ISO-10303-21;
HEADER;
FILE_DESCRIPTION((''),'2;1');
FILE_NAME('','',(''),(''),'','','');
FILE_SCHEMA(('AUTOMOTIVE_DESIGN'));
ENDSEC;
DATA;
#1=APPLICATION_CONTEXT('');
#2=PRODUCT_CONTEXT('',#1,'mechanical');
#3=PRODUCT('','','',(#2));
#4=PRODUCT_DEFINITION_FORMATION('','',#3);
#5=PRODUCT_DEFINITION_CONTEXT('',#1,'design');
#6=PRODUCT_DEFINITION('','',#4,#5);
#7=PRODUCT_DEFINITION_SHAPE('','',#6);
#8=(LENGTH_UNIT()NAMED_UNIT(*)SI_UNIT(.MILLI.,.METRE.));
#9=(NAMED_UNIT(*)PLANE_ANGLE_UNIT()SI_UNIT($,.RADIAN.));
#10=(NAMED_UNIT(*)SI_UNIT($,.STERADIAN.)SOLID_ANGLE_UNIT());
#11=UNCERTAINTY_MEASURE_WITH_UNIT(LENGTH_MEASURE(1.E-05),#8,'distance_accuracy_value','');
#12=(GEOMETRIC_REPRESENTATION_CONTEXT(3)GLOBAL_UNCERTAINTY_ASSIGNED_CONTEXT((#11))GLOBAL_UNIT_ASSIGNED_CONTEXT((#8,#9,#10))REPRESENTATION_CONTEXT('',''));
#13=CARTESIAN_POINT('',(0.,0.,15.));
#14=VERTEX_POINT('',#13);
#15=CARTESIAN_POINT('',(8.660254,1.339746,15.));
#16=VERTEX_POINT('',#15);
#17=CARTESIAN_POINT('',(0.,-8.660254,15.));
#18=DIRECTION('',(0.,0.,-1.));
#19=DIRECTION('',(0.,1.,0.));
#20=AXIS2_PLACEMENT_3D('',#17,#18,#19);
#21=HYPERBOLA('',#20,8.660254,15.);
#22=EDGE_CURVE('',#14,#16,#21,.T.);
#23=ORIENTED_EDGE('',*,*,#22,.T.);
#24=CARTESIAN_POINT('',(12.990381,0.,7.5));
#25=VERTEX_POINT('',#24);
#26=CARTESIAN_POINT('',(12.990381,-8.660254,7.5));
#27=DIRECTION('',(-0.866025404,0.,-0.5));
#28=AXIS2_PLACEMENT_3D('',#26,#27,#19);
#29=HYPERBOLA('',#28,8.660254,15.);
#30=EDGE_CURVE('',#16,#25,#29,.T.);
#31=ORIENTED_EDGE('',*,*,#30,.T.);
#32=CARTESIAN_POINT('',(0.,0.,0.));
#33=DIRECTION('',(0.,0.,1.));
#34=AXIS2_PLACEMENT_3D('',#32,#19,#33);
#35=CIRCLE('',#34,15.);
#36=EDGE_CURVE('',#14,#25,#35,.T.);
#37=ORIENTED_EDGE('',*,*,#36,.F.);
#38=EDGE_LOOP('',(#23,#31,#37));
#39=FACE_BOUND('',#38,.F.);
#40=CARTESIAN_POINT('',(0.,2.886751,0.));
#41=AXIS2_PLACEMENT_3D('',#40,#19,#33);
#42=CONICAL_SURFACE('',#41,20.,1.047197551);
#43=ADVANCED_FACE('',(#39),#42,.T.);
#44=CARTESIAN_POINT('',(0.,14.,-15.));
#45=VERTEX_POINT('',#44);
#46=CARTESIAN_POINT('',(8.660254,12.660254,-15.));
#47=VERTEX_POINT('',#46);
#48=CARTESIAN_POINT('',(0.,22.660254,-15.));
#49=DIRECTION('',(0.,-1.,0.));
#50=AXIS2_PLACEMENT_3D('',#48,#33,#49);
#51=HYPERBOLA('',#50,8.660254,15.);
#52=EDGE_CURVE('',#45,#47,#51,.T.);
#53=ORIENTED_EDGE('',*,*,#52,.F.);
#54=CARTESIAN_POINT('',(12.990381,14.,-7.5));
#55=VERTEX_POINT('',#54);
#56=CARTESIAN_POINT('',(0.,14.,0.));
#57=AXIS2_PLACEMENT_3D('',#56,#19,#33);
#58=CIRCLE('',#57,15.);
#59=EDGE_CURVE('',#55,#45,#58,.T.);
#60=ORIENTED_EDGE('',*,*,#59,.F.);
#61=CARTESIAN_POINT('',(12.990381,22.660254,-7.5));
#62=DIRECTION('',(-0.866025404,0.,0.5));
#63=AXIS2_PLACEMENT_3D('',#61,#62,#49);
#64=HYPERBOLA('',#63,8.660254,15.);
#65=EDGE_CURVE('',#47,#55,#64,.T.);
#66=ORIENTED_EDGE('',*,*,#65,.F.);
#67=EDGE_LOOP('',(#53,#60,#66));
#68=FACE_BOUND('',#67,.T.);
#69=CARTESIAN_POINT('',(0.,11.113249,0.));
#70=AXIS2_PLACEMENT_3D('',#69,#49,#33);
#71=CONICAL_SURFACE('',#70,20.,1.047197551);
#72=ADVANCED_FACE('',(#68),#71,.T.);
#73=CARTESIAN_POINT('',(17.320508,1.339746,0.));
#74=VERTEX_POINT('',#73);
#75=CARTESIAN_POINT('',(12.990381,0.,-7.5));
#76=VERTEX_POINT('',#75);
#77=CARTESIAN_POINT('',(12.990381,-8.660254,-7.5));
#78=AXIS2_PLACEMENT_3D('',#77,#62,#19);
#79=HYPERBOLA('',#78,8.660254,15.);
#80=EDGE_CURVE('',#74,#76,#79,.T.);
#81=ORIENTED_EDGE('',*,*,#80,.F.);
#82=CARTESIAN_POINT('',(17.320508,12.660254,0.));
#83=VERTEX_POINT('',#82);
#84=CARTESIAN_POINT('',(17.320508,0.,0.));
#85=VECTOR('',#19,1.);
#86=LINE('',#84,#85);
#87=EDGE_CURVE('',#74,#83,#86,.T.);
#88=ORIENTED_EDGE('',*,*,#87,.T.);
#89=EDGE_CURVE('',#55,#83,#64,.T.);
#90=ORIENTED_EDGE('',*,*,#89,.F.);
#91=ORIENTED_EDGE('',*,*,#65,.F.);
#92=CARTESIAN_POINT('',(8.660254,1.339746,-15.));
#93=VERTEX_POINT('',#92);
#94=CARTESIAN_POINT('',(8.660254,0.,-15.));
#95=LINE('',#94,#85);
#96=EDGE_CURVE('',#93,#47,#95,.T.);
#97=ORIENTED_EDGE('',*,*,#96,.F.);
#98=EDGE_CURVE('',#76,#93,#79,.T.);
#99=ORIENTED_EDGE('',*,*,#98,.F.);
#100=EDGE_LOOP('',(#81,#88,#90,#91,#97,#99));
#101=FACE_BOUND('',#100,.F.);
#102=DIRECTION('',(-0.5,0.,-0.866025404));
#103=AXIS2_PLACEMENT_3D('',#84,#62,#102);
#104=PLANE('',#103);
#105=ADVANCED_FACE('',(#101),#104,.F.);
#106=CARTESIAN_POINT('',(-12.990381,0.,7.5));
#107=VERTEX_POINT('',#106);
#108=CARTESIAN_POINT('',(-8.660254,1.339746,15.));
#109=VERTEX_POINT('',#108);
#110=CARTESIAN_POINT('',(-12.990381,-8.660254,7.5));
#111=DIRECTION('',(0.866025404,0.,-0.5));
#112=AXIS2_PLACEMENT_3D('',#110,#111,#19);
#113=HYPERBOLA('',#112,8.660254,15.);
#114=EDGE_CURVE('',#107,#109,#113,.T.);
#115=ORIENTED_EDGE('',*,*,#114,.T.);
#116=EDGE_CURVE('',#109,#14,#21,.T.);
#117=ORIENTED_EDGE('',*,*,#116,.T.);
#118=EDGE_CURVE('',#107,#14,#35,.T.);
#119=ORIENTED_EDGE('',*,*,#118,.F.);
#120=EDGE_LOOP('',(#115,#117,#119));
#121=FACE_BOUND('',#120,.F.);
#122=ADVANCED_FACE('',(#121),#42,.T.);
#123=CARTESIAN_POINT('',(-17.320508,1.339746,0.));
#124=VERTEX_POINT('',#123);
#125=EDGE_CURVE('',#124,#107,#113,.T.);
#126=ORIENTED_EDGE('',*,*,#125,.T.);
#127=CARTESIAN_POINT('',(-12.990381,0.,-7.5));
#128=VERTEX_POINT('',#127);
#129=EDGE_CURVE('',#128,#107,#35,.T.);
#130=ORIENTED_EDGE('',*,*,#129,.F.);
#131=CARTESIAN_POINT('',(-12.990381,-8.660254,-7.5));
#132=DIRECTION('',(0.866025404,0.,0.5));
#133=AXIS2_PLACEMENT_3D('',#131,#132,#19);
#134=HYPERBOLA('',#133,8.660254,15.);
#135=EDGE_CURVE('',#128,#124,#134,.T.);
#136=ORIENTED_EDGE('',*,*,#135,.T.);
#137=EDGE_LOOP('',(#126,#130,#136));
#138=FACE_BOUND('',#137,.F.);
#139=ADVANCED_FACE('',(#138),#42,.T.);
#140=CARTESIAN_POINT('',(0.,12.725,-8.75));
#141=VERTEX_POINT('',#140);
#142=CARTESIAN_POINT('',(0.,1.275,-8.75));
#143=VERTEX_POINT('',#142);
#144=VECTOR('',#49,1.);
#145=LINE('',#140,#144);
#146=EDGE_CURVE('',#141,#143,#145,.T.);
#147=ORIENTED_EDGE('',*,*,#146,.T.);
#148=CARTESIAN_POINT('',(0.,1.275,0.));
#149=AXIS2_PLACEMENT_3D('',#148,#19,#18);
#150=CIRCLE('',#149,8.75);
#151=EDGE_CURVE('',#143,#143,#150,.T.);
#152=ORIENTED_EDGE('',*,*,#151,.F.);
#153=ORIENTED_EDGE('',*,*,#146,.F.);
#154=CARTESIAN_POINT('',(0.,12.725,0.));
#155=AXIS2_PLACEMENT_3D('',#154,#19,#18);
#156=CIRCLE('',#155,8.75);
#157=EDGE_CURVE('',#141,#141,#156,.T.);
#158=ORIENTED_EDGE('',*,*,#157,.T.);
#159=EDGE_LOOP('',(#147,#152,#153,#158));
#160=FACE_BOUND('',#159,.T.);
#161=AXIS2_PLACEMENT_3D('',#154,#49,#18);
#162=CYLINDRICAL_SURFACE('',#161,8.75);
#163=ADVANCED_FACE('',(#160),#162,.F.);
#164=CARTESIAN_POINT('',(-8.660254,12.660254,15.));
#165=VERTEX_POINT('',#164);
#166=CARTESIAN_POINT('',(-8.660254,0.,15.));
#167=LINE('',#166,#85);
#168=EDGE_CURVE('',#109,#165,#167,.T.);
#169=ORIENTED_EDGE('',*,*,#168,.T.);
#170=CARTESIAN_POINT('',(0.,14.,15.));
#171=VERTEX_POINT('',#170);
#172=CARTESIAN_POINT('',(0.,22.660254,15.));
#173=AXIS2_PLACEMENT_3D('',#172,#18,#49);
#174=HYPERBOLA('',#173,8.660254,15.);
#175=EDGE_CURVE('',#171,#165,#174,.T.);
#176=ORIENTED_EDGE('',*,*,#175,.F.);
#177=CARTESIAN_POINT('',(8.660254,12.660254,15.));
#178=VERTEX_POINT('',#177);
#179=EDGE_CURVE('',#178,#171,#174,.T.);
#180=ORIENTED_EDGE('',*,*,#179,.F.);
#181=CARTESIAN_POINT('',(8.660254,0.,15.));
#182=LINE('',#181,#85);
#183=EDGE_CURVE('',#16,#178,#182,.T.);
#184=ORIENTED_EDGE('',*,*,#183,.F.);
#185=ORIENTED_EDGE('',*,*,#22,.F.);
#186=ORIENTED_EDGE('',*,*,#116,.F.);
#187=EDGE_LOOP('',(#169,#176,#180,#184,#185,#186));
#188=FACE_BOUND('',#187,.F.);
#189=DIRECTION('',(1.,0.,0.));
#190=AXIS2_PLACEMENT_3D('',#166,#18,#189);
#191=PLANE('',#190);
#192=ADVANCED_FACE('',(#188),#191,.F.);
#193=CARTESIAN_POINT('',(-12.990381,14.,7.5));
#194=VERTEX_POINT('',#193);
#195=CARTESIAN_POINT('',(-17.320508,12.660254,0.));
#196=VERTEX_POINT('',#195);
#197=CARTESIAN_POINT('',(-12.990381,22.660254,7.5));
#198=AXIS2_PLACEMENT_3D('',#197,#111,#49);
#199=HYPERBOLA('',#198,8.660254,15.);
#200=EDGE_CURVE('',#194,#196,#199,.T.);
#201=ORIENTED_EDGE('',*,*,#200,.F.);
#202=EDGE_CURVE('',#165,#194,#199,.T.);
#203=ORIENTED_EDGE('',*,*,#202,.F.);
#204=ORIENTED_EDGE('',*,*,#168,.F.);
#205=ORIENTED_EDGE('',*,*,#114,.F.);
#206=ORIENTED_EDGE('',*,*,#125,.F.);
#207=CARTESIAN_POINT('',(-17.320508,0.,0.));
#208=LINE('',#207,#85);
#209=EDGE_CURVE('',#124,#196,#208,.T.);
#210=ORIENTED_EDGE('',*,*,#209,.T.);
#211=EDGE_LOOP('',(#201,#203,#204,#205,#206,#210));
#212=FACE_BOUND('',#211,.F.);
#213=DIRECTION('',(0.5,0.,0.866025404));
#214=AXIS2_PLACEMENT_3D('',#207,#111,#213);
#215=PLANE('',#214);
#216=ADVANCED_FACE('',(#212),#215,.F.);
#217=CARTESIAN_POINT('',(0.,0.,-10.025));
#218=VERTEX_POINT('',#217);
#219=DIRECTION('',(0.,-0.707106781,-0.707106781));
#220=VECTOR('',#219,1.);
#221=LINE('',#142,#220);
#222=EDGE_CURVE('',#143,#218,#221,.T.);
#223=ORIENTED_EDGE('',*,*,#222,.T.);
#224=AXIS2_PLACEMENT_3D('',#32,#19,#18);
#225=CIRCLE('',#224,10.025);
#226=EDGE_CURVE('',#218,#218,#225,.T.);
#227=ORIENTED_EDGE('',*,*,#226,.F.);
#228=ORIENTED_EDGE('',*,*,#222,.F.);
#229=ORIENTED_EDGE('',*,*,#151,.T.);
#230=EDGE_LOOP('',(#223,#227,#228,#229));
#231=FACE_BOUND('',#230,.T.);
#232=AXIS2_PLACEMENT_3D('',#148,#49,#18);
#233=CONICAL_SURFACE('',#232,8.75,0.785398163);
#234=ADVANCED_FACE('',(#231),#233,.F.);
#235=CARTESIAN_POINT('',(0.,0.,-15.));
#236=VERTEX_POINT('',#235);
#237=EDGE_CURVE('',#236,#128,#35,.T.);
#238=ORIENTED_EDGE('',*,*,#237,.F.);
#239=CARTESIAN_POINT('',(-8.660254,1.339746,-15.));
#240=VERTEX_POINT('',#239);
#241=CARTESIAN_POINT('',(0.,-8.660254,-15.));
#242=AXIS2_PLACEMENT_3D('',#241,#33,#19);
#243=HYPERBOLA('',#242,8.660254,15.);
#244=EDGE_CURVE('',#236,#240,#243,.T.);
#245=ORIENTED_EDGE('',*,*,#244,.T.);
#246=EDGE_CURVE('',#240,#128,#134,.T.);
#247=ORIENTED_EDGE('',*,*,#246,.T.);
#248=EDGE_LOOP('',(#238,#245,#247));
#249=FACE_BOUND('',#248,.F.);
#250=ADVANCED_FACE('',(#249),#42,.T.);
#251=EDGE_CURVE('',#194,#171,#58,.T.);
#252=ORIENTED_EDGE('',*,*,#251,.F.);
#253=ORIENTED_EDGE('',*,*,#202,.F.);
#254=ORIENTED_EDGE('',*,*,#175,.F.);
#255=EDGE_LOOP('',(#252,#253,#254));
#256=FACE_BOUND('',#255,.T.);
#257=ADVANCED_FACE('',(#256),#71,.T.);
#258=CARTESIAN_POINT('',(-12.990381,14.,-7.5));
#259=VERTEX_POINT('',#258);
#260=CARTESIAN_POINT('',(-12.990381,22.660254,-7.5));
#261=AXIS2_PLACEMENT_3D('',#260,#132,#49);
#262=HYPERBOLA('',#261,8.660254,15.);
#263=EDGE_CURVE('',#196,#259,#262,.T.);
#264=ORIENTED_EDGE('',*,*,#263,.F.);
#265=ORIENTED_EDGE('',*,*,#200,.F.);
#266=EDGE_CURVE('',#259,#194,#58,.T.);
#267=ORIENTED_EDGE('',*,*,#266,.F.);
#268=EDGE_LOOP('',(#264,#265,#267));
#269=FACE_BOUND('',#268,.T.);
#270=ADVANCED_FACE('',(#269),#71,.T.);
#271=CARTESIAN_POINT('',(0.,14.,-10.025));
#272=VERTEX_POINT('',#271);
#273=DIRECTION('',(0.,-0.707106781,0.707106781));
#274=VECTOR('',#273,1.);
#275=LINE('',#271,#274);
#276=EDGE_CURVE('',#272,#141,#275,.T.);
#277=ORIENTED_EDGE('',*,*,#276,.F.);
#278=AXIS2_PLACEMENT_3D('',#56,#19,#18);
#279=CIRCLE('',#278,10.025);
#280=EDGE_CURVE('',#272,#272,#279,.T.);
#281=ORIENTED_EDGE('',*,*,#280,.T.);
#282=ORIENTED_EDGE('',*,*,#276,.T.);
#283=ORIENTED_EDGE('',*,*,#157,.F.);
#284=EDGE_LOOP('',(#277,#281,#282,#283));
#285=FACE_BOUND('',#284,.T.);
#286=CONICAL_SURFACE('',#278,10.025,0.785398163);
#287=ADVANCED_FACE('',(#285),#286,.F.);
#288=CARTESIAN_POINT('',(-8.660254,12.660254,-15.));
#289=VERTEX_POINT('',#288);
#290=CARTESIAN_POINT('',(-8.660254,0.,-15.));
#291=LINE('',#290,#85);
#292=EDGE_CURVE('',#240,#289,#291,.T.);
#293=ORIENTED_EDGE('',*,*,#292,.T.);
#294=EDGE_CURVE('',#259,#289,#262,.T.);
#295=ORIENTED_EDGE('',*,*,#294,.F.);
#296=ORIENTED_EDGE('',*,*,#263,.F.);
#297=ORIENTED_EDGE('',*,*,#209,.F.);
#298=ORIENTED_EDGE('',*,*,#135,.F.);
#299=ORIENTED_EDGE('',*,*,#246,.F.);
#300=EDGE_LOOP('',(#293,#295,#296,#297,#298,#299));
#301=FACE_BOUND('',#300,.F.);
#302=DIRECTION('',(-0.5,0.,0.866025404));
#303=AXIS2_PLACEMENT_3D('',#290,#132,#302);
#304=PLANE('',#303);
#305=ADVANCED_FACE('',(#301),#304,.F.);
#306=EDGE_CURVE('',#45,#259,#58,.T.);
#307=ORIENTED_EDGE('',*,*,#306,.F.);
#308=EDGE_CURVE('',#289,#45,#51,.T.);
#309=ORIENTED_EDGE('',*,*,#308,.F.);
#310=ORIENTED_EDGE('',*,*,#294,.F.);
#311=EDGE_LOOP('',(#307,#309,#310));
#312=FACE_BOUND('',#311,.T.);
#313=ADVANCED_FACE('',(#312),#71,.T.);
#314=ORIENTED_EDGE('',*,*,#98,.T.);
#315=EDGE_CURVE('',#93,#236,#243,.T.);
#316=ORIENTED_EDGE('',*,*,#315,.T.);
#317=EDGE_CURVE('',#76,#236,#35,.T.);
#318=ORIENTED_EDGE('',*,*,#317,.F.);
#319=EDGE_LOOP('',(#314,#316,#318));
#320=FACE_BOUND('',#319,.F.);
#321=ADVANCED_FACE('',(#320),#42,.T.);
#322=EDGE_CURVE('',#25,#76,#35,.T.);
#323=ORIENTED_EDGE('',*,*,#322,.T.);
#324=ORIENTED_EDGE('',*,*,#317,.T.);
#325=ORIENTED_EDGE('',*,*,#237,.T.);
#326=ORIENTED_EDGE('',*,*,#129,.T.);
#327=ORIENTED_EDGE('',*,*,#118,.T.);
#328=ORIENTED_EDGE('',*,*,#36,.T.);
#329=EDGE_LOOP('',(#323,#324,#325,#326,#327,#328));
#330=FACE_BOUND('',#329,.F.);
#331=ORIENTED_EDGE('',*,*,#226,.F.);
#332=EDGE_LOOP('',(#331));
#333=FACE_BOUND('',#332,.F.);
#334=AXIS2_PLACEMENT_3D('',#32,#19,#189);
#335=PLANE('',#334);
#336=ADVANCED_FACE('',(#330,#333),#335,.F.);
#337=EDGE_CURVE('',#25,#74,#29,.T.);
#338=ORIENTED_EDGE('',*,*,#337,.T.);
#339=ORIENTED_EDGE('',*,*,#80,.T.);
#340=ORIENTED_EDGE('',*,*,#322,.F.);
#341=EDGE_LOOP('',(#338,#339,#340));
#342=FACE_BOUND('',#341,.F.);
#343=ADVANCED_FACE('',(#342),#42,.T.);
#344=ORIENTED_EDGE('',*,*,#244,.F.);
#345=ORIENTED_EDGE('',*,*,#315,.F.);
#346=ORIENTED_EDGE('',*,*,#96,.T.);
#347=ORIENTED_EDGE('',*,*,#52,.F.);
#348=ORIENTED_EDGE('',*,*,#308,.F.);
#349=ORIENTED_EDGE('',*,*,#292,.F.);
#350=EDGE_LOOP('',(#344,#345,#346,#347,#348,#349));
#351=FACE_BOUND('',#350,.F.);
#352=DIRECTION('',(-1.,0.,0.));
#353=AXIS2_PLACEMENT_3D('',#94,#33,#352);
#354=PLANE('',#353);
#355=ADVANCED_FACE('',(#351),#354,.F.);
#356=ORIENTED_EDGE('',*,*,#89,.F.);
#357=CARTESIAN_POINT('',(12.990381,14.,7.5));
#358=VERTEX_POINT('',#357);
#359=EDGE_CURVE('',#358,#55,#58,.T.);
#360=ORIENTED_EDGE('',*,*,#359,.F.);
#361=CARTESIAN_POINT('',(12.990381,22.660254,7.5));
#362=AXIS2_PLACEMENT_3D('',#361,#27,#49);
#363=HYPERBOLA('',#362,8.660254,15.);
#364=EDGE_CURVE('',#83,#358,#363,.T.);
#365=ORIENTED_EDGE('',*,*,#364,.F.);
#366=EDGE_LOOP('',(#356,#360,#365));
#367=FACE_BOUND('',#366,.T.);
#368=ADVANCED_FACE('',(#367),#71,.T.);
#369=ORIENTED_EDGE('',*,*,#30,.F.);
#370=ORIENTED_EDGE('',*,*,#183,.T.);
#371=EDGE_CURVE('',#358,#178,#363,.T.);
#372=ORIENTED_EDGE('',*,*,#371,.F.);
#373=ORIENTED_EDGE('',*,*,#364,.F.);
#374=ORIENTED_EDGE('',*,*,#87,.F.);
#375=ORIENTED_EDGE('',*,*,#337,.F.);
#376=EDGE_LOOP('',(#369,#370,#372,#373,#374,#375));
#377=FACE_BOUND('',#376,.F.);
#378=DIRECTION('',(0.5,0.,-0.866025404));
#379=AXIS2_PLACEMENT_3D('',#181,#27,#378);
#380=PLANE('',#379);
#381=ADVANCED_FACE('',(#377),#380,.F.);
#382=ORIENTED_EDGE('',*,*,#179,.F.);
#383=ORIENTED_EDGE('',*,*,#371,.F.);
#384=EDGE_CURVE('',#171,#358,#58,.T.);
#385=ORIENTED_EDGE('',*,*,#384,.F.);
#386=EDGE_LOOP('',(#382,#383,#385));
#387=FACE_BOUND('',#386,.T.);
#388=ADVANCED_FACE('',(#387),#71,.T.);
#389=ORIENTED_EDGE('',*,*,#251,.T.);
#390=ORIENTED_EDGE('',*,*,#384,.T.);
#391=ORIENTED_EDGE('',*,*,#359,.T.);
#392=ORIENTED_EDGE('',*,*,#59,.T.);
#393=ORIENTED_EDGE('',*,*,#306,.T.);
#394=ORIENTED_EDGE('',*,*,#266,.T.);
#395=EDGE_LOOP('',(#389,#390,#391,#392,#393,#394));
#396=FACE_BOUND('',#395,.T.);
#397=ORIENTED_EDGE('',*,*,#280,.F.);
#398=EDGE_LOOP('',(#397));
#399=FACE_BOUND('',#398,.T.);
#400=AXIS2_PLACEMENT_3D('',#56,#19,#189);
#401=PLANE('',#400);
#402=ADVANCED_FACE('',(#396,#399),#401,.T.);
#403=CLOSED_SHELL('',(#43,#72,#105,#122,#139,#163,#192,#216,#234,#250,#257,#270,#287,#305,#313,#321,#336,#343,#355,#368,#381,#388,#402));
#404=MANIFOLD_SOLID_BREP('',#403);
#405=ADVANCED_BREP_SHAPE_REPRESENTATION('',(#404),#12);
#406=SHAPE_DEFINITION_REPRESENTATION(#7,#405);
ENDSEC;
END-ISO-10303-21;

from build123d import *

# Parameters (mm, degrees)
EXTRUDE_1_DEPTH = 14


with BuildPart() as part:
    # Эскиз1 → Бобышка-Вытянуть1 (new body)
    with BuildSketch(Plane(origin=(0, 0, 0), x_dir=(1, 0, 0), z_dir=(0, 1, 0))):
        Polygon((-8.660254038, 15), (-17.320508076, 0), (-8.660254038, -15), (8.660254038, -15), (17.320508076, 0), (8.660254038, 15), align=None)
    extrude(amount=EXTRUDE_1_DEPTH)

    # Эскиз2 → Вырез-Повернуть1 (revolve, cut)
    with BuildSketch(Plane(origin=(0, 0, 0), x_dir=(0, 0, -1), z_dir=(1, 0, 0))):
        Polygon((-15, 14), (-20, 14), (-20, 11.113248654), align=None)
        Polygon((-15, 0), (-20, 0), (-20, 2.886751346), align=None)
    revolve(axis=Axis((0, -1000, 0), (0, 1, 0)), mode=Mode.SUBTRACT)

    # Эскиз3 → Отверстие обработанное метчиком M20x2.51 (revolve, cut)
    with BuildSketch(Plane(origin=(0, 0, 0), x_dir=(0, 0, -1), z_dir=(1, 0, 0))):
        Polygon((0, 0), (0, 14), (10.025, 14), (8.75, 12.725), (8.75, 1.275), (10.025, 0), align=None)
    revolve(axis=Axis((0, -6.35, 0), (0, 1, 0)), mode=Mode.SUBTRACT)


solid = part.part
